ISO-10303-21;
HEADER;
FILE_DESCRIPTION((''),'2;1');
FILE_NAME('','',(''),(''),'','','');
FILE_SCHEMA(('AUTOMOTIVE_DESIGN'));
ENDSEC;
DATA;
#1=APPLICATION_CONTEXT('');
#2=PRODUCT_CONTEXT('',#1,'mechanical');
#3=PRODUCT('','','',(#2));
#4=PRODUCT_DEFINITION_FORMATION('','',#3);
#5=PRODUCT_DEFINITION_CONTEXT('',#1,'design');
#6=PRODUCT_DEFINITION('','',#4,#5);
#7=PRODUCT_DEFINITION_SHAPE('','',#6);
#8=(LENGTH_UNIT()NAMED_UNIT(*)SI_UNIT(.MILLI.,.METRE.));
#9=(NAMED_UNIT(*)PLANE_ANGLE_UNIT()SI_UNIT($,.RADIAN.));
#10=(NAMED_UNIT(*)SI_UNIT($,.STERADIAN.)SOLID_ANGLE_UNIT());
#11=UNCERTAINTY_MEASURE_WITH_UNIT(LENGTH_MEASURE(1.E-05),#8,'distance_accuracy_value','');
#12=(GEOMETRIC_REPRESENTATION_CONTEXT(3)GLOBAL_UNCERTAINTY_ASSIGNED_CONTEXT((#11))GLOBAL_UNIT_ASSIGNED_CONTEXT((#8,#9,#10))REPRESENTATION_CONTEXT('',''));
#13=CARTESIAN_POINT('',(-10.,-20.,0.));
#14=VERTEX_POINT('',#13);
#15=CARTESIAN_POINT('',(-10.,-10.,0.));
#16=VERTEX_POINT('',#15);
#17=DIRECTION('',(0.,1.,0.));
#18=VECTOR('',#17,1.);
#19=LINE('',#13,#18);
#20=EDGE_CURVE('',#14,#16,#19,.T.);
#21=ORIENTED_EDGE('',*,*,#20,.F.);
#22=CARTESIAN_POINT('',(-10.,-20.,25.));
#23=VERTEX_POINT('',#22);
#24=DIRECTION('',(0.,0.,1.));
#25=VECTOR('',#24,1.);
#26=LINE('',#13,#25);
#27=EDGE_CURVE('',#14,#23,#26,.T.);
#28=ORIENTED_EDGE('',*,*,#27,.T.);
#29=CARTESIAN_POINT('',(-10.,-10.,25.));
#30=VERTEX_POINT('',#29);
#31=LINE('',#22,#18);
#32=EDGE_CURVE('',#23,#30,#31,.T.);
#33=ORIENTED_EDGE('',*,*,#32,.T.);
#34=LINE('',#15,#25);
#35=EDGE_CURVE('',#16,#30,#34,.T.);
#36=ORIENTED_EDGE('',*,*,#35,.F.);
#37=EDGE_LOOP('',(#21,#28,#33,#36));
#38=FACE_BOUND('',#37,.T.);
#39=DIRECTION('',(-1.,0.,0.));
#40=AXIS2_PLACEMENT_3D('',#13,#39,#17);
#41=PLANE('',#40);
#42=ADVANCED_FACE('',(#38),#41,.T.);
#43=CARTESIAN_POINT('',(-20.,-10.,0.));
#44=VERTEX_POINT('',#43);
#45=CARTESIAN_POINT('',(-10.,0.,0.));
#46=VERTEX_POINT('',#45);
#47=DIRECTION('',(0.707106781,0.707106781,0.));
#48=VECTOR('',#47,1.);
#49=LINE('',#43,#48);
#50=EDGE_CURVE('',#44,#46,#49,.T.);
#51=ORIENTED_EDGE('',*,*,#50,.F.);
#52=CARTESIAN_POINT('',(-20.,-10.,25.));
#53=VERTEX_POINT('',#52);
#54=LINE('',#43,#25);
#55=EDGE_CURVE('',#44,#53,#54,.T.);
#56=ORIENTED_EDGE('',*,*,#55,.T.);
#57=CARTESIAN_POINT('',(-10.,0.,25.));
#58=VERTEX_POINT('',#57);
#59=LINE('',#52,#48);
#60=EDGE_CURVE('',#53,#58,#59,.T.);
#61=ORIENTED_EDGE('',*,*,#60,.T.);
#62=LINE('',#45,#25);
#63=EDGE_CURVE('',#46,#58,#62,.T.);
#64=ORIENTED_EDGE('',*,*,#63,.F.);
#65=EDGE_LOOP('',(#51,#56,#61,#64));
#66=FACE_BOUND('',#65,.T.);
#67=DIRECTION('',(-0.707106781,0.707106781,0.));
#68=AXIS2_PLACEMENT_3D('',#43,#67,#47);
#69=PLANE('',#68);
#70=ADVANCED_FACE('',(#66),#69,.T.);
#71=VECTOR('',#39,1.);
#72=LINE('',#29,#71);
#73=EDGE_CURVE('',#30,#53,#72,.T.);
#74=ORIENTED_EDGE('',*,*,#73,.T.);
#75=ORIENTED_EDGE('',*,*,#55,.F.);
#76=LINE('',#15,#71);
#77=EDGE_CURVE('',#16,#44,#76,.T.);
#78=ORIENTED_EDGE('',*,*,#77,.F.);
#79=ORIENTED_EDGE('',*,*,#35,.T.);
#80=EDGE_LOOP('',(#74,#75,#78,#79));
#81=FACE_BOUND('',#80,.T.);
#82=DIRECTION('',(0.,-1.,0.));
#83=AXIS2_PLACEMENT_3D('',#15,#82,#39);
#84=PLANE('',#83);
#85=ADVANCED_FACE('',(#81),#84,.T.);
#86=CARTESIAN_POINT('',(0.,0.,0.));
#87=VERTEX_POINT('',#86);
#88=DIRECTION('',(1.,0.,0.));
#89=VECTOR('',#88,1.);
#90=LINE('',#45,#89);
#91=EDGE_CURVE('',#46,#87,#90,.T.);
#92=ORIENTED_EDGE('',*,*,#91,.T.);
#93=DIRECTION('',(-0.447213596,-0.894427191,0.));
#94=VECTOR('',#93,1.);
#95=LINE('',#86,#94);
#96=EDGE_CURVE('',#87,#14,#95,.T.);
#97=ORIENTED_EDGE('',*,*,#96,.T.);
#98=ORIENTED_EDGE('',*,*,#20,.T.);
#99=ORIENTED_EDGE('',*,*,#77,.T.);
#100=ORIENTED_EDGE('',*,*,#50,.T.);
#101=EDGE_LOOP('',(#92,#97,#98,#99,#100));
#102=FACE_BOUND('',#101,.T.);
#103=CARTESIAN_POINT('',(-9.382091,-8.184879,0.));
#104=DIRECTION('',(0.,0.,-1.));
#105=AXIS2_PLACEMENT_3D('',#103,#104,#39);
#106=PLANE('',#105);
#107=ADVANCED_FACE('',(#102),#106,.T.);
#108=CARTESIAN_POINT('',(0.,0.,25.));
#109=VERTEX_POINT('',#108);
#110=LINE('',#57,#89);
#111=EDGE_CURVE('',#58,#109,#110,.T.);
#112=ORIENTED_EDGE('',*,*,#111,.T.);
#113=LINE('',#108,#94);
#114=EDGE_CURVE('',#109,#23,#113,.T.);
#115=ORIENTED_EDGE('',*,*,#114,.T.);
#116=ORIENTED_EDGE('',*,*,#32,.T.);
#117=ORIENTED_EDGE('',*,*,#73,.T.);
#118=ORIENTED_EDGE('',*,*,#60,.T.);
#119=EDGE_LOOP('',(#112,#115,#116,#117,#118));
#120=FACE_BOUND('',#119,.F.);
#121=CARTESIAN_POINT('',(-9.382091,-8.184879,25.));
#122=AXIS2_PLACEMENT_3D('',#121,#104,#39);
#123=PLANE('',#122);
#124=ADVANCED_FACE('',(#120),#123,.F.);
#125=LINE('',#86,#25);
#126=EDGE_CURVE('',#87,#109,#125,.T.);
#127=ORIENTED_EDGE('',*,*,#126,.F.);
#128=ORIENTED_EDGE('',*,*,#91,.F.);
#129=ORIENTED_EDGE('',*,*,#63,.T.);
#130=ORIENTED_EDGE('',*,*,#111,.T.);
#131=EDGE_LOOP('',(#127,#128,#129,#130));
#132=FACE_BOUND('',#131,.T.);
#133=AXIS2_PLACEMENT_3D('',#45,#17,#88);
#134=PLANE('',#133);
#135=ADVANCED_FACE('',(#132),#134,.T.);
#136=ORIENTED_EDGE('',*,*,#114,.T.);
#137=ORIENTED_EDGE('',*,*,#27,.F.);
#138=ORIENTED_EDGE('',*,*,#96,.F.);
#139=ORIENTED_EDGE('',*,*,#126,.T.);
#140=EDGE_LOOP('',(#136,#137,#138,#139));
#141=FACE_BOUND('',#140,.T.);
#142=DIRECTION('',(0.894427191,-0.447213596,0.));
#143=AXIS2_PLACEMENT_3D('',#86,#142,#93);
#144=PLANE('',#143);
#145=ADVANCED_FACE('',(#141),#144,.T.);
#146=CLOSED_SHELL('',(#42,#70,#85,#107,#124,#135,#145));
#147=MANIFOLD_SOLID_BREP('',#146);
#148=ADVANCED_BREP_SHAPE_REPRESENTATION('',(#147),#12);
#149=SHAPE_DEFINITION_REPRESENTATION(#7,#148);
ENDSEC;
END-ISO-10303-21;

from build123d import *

# Parameters (mm, degrees)
BOSS_EXTRUDE1_DEPTH = 25


with BuildPart() as part:
    # Sketch1 → Boss-Extrude1 (new body)
    with BuildSketch(Plane.XY):
        Polygon((-20, -10), (-10, 0), (0, 0), (-10, -20), (-10, -10), align=None)
    extrude(amount=BOSS_EXTRUDE1_DEPTH)


solid = part.part
